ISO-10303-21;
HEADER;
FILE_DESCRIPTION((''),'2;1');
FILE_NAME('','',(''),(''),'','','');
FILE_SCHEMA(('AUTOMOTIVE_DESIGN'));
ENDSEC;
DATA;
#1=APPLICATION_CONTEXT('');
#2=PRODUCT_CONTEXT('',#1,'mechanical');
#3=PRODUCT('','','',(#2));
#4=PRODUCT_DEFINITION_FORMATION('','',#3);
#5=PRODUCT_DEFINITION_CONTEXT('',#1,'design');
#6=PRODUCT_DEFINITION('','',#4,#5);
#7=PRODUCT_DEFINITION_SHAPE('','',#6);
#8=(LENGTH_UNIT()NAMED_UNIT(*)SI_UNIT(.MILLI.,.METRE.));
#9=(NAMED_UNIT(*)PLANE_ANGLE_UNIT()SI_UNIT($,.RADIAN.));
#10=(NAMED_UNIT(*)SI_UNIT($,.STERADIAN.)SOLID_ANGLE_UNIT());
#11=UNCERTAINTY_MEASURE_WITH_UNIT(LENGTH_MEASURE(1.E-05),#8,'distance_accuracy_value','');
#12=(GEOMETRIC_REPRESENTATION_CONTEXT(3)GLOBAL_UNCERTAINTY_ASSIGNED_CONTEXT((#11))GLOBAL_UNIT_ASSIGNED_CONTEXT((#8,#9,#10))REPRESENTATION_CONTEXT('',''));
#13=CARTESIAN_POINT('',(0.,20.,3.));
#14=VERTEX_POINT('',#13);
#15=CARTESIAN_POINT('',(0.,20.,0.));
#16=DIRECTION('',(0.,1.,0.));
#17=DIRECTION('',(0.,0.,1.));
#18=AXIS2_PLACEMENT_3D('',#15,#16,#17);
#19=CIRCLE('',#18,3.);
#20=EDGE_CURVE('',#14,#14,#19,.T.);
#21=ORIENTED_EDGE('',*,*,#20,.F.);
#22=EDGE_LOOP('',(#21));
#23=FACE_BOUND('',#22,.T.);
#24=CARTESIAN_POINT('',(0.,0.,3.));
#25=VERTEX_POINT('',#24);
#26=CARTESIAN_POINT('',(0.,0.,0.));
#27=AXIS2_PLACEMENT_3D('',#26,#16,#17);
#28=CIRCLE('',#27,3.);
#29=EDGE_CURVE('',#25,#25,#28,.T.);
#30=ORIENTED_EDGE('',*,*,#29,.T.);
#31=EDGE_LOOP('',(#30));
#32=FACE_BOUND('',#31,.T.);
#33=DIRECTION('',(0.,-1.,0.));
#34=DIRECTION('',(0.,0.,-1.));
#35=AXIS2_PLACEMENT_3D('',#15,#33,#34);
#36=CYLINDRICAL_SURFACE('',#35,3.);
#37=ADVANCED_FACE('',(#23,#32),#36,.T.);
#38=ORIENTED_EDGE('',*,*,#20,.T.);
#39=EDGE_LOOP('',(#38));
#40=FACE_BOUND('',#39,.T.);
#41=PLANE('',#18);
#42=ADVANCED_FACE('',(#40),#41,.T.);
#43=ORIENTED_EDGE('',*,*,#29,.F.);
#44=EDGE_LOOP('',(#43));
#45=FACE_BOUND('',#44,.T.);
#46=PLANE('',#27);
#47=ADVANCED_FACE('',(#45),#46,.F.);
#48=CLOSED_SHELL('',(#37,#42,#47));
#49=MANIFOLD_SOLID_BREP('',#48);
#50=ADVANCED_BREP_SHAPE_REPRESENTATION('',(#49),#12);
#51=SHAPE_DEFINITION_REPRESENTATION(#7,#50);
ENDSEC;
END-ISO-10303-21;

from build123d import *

# Parameters (mm, degrees)
SKETCH_1_R      = 3
EXTRUDE_1_DEPTH = 20


with BuildPart() as part:
    # 草图1 → 凸台-拉伸1 (new body)
    with BuildSketch(Plane(origin=(0, 0, 0), x_dir=(1, 0, 0), z_dir=(0, 1, 0))):
        Circle(SKETCH_1_R)
    extrude(amount=EXTRUDE_1_DEPTH)


solid = part.part
